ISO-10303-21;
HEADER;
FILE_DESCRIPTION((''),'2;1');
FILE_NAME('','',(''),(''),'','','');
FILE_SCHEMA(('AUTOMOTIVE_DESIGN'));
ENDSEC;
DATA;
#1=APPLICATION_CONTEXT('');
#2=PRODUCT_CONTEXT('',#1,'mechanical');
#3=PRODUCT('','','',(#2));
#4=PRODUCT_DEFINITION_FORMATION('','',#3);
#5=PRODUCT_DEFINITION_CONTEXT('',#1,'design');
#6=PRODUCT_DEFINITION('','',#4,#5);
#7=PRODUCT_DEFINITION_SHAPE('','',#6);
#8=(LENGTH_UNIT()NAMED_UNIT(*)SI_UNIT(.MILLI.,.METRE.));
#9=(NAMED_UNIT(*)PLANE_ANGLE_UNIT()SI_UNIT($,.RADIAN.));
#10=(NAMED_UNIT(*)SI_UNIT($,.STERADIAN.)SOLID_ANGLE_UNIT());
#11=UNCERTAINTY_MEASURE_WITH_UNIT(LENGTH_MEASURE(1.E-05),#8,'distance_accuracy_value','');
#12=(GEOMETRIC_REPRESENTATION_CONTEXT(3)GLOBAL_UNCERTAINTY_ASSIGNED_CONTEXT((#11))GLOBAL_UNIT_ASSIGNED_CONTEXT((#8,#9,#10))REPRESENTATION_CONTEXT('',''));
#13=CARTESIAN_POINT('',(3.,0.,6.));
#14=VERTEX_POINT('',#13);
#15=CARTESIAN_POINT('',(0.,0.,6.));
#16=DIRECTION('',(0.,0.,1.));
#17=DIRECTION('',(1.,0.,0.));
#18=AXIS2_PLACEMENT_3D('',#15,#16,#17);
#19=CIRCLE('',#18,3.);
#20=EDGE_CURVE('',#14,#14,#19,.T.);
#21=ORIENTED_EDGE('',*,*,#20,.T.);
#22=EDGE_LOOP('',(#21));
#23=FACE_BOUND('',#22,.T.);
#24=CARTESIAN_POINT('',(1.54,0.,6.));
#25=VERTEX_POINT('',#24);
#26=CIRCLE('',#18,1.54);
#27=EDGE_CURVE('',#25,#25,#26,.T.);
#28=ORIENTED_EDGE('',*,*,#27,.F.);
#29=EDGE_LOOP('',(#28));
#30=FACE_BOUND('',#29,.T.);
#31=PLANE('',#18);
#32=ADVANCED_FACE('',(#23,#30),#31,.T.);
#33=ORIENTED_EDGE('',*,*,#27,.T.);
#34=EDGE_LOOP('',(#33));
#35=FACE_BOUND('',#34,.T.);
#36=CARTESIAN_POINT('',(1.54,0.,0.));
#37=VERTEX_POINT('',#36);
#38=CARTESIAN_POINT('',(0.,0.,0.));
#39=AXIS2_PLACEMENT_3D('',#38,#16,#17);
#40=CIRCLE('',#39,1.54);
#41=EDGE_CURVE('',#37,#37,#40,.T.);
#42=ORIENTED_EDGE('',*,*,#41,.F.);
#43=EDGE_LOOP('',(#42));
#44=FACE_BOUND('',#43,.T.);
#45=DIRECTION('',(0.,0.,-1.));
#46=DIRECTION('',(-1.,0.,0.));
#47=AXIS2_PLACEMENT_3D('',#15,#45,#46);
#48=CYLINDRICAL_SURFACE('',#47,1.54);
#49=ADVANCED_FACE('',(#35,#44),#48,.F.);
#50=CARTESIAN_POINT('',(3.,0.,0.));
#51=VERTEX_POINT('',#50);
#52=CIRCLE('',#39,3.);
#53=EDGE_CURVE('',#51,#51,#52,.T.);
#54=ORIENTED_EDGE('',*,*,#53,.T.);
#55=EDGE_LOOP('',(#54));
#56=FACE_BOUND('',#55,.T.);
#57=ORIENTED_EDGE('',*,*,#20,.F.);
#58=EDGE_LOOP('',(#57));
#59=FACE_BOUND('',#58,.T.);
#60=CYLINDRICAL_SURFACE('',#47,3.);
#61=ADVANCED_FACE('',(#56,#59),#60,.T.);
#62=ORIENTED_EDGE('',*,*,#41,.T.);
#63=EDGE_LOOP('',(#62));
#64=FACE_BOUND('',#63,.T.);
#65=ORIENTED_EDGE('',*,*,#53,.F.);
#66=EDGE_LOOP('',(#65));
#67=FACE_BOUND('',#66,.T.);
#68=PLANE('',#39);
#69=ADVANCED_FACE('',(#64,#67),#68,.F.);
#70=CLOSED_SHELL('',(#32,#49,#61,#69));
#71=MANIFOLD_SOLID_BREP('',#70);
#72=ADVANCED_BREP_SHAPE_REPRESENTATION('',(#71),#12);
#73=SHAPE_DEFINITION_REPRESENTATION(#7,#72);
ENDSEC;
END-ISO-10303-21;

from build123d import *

# Parameters (mm, degrees)
ESQUISSE1_R      = 3
ESQUISSE1_R_2    = 1.54
EXTRUSION1_DEPTH = 6


with BuildPart() as part:
    # Esquisse1 → Extrusion1 (new body)
    with BuildSketch(Plane.XY):
        Circle(ESQUISSE1_R)
        Circle(ESQUISSE1_R_2, mode=Mode.SUBTRACT)
    extrude(amount=EXTRUSION1_DEPTH)


solid = part.part
